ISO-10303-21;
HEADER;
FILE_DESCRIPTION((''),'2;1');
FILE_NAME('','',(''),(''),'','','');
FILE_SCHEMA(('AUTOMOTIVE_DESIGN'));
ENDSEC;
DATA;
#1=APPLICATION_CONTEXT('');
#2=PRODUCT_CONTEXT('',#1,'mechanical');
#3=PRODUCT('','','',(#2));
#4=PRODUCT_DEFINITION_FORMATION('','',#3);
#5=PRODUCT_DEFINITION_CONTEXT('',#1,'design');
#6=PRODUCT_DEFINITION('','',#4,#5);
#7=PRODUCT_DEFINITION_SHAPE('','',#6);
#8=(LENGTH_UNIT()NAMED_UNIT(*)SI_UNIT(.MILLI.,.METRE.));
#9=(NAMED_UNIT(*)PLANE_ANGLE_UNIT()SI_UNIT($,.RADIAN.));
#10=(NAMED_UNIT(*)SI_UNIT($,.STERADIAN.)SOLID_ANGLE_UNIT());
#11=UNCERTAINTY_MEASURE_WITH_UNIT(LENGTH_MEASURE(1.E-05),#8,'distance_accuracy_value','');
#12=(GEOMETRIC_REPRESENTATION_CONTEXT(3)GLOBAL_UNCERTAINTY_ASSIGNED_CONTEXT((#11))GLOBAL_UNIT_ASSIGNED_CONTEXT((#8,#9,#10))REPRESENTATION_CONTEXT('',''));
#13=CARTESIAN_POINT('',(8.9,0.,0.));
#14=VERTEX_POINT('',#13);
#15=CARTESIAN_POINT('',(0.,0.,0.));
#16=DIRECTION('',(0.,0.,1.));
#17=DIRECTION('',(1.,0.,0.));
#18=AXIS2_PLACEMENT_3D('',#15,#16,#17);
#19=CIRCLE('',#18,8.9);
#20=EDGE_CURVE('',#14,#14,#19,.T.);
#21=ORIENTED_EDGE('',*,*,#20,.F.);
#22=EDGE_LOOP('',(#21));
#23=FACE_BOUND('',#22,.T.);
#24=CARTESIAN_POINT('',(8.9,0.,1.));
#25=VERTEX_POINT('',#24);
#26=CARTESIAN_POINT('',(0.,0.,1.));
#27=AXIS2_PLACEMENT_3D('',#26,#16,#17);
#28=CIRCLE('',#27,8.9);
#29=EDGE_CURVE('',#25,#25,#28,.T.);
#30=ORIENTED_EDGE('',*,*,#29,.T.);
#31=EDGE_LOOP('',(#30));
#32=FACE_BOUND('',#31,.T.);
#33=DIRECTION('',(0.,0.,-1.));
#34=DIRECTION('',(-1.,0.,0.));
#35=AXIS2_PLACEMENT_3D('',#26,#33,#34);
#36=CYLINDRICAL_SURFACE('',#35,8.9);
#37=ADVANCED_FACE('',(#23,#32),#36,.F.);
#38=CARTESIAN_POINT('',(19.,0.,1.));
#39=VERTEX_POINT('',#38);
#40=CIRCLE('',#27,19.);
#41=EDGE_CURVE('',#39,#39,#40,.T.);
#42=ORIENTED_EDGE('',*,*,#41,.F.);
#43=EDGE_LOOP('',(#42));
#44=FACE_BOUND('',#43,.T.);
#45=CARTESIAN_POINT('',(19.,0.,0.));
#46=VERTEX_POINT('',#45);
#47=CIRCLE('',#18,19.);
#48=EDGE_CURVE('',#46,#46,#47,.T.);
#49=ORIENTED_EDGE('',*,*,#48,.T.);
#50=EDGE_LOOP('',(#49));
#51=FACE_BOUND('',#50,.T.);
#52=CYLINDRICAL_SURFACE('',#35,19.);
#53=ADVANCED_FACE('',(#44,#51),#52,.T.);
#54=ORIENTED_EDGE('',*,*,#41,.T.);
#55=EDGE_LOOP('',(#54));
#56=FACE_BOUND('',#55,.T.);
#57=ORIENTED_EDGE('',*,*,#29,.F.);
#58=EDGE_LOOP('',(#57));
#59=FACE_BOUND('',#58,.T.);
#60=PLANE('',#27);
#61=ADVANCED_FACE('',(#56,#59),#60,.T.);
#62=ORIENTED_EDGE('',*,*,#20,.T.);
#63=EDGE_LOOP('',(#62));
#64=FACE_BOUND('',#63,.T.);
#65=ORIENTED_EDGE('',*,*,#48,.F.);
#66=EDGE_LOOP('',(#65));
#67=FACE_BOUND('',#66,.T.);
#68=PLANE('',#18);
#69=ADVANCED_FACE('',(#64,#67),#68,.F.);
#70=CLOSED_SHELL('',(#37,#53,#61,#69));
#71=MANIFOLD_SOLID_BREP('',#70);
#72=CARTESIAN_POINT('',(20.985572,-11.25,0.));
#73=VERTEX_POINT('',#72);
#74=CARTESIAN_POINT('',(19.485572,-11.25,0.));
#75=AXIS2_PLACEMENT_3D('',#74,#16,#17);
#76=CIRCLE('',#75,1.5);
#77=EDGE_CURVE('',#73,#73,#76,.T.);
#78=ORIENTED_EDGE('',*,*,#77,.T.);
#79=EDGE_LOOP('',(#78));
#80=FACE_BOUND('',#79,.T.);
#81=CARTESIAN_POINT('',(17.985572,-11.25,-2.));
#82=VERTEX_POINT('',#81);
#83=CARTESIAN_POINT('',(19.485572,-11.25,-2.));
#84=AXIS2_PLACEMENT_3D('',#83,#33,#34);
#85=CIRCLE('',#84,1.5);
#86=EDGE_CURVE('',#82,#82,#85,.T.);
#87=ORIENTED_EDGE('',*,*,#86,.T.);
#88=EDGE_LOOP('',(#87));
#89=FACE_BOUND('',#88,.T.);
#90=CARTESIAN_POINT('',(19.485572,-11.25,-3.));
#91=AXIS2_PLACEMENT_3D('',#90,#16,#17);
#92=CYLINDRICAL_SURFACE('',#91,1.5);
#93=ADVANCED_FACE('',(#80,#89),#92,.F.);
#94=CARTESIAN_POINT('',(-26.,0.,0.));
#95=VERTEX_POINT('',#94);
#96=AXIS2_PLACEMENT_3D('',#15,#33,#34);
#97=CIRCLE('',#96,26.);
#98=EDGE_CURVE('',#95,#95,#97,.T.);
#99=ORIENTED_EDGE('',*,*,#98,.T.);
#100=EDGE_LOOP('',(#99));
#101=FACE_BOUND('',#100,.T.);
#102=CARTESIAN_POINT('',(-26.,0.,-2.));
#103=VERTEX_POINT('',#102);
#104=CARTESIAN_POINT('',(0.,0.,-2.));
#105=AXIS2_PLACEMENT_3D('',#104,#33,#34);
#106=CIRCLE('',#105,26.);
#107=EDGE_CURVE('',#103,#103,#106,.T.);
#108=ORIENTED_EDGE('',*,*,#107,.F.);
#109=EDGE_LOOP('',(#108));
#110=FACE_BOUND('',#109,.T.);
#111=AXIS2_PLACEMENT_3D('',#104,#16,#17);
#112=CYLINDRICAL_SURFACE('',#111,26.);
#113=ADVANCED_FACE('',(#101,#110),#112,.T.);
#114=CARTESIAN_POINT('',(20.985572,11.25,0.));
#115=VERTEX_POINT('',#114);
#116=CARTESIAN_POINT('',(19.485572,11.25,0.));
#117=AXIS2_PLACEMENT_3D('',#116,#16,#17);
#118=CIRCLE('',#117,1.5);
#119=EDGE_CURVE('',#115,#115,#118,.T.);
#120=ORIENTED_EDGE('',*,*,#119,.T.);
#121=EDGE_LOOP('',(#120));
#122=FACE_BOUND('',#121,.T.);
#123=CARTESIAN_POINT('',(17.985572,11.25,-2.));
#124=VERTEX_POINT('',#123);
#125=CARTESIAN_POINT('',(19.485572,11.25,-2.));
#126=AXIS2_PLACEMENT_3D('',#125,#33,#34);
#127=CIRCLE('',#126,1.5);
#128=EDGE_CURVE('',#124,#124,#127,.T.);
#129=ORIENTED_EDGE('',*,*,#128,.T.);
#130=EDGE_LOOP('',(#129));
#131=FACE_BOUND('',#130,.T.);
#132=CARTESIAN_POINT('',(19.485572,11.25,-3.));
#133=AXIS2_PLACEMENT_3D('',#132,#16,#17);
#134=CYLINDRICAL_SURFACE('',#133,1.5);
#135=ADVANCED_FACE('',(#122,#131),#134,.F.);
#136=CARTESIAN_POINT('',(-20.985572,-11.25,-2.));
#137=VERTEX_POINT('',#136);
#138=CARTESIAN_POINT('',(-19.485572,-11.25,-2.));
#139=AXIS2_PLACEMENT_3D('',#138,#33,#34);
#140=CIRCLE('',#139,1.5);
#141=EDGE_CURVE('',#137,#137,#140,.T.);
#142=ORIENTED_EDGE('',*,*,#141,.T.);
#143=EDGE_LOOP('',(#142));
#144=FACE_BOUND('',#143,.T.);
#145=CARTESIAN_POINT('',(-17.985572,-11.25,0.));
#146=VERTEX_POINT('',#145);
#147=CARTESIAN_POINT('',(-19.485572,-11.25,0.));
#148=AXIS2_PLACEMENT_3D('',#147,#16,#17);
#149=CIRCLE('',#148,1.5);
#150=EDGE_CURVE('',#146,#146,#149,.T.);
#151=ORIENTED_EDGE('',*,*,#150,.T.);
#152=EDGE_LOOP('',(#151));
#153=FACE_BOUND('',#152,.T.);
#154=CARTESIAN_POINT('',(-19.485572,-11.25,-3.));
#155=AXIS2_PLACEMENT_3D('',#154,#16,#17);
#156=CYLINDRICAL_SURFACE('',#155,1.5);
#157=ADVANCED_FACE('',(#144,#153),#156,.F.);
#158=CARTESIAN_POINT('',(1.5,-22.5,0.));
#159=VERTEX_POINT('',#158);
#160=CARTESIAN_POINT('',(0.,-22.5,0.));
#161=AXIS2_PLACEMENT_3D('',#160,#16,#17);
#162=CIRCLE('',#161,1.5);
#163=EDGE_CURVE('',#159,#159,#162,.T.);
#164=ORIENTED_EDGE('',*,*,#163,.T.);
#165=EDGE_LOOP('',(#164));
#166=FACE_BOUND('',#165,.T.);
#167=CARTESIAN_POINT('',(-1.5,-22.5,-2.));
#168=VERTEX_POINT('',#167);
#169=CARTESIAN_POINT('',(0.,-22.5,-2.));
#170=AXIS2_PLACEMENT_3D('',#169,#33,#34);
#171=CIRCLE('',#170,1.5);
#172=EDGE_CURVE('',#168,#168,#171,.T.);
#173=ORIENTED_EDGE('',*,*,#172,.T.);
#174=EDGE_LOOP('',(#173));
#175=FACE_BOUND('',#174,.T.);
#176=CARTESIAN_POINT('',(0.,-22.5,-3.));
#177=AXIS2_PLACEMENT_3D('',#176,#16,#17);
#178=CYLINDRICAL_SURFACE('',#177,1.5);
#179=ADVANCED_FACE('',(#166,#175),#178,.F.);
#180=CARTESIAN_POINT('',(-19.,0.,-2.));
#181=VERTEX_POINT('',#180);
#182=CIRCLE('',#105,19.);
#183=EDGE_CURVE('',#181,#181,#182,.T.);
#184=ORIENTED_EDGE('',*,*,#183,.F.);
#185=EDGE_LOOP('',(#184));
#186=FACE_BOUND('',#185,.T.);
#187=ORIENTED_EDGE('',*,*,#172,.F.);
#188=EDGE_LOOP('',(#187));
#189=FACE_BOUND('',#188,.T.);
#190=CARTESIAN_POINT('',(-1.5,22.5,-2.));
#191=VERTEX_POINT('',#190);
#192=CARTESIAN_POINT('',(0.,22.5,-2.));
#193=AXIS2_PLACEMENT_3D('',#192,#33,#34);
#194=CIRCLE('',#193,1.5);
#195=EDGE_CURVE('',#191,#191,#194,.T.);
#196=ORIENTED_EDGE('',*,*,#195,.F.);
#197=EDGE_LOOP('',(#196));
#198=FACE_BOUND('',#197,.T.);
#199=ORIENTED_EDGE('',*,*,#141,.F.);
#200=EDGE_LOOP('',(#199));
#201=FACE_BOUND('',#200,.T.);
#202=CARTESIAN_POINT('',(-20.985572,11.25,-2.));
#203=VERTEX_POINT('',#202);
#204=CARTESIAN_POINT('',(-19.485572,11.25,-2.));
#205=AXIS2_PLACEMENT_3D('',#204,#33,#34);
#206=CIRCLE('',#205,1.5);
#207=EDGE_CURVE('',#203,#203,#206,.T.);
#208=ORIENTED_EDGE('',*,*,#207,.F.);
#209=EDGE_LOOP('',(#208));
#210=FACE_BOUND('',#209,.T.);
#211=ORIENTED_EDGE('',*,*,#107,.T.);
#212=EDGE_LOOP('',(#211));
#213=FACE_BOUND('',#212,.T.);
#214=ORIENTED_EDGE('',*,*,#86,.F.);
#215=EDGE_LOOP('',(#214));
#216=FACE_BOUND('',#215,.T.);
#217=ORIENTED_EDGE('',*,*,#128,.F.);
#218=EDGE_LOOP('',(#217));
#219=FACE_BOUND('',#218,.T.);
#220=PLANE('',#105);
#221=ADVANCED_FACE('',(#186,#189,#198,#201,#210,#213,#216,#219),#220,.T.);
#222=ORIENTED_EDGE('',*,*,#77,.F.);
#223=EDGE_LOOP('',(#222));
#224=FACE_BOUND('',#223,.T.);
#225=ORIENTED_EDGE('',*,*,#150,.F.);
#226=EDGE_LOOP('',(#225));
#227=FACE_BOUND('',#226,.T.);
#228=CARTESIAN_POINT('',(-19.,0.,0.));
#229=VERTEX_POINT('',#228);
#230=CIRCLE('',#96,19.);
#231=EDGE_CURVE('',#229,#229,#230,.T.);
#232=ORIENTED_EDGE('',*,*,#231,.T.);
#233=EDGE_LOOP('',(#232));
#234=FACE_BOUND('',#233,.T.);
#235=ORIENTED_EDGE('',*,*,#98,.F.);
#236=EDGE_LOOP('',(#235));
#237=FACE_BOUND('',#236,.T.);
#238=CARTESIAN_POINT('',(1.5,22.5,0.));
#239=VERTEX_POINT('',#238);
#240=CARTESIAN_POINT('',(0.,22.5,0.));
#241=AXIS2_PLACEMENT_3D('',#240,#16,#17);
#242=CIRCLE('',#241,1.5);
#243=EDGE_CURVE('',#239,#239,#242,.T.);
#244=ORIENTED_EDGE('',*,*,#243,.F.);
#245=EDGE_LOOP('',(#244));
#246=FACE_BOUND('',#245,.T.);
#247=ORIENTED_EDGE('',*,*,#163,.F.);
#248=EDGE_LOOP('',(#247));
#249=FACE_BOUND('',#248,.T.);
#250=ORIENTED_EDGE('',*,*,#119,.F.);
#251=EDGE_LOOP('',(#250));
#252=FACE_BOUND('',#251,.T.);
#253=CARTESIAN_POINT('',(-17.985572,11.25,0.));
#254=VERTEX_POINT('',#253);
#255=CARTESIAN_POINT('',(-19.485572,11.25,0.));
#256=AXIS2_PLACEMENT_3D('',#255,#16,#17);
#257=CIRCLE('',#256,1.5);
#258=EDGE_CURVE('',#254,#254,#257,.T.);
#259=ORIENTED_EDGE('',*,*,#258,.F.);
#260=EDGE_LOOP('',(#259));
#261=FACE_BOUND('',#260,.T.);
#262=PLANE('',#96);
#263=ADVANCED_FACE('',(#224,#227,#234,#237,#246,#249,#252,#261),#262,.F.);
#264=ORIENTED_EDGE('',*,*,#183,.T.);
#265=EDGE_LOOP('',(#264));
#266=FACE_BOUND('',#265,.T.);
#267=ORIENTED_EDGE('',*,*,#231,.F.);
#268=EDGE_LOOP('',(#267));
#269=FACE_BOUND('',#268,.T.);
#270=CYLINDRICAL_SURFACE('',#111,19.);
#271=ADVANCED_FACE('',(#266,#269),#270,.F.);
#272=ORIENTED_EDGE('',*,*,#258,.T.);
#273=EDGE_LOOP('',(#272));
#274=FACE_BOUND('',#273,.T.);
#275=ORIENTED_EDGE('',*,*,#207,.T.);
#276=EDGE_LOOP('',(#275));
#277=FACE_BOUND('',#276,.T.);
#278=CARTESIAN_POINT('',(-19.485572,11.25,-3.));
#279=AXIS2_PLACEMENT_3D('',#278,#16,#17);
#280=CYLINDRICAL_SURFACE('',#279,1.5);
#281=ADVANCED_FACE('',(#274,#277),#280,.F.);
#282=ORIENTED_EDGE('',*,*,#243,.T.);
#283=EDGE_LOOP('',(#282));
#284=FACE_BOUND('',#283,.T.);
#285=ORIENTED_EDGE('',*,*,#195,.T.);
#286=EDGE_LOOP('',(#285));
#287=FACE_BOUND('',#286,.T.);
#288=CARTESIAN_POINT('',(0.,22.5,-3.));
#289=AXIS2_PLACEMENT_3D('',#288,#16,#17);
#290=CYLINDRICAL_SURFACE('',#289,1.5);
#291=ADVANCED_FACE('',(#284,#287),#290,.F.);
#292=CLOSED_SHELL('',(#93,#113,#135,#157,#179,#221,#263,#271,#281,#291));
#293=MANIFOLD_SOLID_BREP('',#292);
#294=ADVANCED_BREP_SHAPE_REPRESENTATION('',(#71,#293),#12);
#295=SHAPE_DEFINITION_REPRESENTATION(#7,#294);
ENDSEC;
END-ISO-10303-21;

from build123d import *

# Parameters (mm, degrees)
CROQUIS1_R              = 19
CROQUIS1_R_2            = 8.9
SALIENTE_EXTRUIR1_DEPTH = 1
CROQUIS2_R              = 26
CROQUIS2_R_2            = 19
SALIENTE_EXTRUIR2_DEPTH = 2
CROQUIS3_R              = 1.5
CORTAR_EXTRUIR1_DEPTH   = 3


with BuildPart() as part:
    # Croquis1 → Saliente-Extruir1 (new body)
    with BuildSketch(Plane.XY):
        Circle(CROQUIS1_R)
        Circle(CROQUIS1_R_2, mode=Mode.SUBTRACT)
    extrude(amount=SALIENTE_EXTRUIR1_DEPTH)


with BuildPart() as body_2:
    # Croquis2 → Saliente-Extruir2 (new body)
    with BuildSketch(Plane(origin=(0, 0, 0), x_dir=(-1, 0, 0), z_dir=(0, 0, -1))):
        Circle(CROQUIS2_R)
        Circle(CROQUIS2_R_2, mode=Mode.SUBTRACT)
    extrude(amount=SALIENTE_EXTRUIR2_DEPTH)

    # Croquis3 → Cortar-Extruir1 (cut)
    with BuildSketch(Plane.XY):
        with Locations((0, 22.5)):
            Circle(CROQUIS3_R)
        with Locations((19.485571585, 11.25)):
            Circle(CROQUIS3_R)
        with Locations((19.485571585, -11.25)):
            Circle(CROQUIS3_R)
        with Locations((0, -22.5)):
            Circle(CROQUIS3_R)
        with Locations((-19.485571585, -11.25)):
            Circle(CROQUIS3_R)
        with Locations((-19.485571585, 11.25)):
            Circle(CROQUIS3_R)
    extrude(amount=-CORTAR_EXTRUIR1_DEPTH, mode=Mode.SUBTRACT)


solid = Compound([part.part, body_2.part])
